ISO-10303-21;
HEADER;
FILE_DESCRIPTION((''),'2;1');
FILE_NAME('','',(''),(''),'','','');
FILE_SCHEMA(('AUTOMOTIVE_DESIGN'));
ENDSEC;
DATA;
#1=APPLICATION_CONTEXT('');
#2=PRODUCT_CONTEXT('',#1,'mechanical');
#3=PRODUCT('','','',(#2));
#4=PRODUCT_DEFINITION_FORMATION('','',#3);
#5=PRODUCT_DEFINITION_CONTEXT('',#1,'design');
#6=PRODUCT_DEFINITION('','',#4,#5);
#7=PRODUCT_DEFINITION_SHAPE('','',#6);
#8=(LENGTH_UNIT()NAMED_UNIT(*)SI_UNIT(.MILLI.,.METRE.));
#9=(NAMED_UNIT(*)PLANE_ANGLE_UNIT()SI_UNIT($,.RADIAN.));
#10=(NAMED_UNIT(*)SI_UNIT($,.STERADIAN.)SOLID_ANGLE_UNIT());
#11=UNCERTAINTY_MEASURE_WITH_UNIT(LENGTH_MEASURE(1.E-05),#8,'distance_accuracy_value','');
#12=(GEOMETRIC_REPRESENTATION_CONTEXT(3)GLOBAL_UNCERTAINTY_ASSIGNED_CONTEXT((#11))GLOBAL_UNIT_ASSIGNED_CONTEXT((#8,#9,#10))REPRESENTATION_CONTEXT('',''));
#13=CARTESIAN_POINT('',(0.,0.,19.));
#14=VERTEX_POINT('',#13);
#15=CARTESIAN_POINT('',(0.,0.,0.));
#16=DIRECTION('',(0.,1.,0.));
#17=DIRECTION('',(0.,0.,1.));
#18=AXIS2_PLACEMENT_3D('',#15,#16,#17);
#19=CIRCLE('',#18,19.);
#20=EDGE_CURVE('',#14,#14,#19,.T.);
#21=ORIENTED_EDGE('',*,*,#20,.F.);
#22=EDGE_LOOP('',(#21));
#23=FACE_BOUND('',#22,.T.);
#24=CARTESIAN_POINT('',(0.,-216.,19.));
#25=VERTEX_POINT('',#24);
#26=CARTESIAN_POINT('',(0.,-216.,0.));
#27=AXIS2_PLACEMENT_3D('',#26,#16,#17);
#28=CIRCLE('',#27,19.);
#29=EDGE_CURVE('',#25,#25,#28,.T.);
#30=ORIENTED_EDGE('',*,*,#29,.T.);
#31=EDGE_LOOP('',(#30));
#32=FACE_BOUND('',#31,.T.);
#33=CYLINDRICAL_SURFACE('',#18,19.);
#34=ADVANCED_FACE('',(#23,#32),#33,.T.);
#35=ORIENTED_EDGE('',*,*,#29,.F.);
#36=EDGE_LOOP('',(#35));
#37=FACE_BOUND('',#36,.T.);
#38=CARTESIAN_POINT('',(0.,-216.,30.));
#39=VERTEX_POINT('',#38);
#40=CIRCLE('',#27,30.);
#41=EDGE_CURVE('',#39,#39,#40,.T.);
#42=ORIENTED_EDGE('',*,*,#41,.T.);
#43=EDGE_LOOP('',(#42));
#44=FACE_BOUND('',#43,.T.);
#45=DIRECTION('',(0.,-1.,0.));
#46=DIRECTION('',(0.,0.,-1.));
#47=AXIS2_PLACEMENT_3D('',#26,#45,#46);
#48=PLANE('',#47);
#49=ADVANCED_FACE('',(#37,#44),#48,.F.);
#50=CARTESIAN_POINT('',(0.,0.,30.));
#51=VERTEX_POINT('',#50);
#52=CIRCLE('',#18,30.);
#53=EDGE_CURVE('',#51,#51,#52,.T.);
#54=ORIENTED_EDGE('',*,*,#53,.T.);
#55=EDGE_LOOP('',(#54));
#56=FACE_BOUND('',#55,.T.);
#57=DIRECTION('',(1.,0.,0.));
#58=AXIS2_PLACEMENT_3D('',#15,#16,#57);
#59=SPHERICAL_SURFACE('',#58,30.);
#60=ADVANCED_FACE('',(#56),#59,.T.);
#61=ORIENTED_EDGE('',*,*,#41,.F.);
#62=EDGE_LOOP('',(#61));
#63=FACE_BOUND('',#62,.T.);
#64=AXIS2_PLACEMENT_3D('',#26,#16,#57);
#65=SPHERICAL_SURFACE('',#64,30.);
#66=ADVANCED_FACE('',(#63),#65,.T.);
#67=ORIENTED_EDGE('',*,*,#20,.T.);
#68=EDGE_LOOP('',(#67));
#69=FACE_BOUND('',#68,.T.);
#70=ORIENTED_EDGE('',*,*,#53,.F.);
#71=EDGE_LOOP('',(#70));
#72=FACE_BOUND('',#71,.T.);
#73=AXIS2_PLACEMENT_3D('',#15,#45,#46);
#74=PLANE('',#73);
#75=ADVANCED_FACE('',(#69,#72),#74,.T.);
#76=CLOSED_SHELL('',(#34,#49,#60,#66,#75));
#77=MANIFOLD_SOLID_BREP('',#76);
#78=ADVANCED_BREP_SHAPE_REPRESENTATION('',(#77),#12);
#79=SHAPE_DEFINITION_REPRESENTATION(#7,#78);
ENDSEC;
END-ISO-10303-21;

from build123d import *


with BuildPart() as part:
    # Sketch1 → Revolve1 (revolve)
    with BuildSketch(Plane.XY, mode=Mode.PRIVATE) as revolve1_sk:
        with BuildLine():
            ThreePointArc((0, -246), (-21.213203436, -237.213203436), (-30, -216))
            Line((-30, -216), (-19, -216))
            Line((-19, -216), (-19, 0))
            Line((-19, 0), (-30, 0))
            ThreePointArc((-30, 0), (-21.213203436, 21.213203436), (0, 30))
            Line((0, 30), (0, 0))
            Line((0, 0), (0, -216))
            Line((0, -216), (0, -246))
        make_face()
    revolve(revolve1_sk.sketch.rotate(Axis((0, 0, 0), (0, -1, 0)), 180), axis=Axis((0, 0, 0), (0, -1, 0)))


solid = part.part
